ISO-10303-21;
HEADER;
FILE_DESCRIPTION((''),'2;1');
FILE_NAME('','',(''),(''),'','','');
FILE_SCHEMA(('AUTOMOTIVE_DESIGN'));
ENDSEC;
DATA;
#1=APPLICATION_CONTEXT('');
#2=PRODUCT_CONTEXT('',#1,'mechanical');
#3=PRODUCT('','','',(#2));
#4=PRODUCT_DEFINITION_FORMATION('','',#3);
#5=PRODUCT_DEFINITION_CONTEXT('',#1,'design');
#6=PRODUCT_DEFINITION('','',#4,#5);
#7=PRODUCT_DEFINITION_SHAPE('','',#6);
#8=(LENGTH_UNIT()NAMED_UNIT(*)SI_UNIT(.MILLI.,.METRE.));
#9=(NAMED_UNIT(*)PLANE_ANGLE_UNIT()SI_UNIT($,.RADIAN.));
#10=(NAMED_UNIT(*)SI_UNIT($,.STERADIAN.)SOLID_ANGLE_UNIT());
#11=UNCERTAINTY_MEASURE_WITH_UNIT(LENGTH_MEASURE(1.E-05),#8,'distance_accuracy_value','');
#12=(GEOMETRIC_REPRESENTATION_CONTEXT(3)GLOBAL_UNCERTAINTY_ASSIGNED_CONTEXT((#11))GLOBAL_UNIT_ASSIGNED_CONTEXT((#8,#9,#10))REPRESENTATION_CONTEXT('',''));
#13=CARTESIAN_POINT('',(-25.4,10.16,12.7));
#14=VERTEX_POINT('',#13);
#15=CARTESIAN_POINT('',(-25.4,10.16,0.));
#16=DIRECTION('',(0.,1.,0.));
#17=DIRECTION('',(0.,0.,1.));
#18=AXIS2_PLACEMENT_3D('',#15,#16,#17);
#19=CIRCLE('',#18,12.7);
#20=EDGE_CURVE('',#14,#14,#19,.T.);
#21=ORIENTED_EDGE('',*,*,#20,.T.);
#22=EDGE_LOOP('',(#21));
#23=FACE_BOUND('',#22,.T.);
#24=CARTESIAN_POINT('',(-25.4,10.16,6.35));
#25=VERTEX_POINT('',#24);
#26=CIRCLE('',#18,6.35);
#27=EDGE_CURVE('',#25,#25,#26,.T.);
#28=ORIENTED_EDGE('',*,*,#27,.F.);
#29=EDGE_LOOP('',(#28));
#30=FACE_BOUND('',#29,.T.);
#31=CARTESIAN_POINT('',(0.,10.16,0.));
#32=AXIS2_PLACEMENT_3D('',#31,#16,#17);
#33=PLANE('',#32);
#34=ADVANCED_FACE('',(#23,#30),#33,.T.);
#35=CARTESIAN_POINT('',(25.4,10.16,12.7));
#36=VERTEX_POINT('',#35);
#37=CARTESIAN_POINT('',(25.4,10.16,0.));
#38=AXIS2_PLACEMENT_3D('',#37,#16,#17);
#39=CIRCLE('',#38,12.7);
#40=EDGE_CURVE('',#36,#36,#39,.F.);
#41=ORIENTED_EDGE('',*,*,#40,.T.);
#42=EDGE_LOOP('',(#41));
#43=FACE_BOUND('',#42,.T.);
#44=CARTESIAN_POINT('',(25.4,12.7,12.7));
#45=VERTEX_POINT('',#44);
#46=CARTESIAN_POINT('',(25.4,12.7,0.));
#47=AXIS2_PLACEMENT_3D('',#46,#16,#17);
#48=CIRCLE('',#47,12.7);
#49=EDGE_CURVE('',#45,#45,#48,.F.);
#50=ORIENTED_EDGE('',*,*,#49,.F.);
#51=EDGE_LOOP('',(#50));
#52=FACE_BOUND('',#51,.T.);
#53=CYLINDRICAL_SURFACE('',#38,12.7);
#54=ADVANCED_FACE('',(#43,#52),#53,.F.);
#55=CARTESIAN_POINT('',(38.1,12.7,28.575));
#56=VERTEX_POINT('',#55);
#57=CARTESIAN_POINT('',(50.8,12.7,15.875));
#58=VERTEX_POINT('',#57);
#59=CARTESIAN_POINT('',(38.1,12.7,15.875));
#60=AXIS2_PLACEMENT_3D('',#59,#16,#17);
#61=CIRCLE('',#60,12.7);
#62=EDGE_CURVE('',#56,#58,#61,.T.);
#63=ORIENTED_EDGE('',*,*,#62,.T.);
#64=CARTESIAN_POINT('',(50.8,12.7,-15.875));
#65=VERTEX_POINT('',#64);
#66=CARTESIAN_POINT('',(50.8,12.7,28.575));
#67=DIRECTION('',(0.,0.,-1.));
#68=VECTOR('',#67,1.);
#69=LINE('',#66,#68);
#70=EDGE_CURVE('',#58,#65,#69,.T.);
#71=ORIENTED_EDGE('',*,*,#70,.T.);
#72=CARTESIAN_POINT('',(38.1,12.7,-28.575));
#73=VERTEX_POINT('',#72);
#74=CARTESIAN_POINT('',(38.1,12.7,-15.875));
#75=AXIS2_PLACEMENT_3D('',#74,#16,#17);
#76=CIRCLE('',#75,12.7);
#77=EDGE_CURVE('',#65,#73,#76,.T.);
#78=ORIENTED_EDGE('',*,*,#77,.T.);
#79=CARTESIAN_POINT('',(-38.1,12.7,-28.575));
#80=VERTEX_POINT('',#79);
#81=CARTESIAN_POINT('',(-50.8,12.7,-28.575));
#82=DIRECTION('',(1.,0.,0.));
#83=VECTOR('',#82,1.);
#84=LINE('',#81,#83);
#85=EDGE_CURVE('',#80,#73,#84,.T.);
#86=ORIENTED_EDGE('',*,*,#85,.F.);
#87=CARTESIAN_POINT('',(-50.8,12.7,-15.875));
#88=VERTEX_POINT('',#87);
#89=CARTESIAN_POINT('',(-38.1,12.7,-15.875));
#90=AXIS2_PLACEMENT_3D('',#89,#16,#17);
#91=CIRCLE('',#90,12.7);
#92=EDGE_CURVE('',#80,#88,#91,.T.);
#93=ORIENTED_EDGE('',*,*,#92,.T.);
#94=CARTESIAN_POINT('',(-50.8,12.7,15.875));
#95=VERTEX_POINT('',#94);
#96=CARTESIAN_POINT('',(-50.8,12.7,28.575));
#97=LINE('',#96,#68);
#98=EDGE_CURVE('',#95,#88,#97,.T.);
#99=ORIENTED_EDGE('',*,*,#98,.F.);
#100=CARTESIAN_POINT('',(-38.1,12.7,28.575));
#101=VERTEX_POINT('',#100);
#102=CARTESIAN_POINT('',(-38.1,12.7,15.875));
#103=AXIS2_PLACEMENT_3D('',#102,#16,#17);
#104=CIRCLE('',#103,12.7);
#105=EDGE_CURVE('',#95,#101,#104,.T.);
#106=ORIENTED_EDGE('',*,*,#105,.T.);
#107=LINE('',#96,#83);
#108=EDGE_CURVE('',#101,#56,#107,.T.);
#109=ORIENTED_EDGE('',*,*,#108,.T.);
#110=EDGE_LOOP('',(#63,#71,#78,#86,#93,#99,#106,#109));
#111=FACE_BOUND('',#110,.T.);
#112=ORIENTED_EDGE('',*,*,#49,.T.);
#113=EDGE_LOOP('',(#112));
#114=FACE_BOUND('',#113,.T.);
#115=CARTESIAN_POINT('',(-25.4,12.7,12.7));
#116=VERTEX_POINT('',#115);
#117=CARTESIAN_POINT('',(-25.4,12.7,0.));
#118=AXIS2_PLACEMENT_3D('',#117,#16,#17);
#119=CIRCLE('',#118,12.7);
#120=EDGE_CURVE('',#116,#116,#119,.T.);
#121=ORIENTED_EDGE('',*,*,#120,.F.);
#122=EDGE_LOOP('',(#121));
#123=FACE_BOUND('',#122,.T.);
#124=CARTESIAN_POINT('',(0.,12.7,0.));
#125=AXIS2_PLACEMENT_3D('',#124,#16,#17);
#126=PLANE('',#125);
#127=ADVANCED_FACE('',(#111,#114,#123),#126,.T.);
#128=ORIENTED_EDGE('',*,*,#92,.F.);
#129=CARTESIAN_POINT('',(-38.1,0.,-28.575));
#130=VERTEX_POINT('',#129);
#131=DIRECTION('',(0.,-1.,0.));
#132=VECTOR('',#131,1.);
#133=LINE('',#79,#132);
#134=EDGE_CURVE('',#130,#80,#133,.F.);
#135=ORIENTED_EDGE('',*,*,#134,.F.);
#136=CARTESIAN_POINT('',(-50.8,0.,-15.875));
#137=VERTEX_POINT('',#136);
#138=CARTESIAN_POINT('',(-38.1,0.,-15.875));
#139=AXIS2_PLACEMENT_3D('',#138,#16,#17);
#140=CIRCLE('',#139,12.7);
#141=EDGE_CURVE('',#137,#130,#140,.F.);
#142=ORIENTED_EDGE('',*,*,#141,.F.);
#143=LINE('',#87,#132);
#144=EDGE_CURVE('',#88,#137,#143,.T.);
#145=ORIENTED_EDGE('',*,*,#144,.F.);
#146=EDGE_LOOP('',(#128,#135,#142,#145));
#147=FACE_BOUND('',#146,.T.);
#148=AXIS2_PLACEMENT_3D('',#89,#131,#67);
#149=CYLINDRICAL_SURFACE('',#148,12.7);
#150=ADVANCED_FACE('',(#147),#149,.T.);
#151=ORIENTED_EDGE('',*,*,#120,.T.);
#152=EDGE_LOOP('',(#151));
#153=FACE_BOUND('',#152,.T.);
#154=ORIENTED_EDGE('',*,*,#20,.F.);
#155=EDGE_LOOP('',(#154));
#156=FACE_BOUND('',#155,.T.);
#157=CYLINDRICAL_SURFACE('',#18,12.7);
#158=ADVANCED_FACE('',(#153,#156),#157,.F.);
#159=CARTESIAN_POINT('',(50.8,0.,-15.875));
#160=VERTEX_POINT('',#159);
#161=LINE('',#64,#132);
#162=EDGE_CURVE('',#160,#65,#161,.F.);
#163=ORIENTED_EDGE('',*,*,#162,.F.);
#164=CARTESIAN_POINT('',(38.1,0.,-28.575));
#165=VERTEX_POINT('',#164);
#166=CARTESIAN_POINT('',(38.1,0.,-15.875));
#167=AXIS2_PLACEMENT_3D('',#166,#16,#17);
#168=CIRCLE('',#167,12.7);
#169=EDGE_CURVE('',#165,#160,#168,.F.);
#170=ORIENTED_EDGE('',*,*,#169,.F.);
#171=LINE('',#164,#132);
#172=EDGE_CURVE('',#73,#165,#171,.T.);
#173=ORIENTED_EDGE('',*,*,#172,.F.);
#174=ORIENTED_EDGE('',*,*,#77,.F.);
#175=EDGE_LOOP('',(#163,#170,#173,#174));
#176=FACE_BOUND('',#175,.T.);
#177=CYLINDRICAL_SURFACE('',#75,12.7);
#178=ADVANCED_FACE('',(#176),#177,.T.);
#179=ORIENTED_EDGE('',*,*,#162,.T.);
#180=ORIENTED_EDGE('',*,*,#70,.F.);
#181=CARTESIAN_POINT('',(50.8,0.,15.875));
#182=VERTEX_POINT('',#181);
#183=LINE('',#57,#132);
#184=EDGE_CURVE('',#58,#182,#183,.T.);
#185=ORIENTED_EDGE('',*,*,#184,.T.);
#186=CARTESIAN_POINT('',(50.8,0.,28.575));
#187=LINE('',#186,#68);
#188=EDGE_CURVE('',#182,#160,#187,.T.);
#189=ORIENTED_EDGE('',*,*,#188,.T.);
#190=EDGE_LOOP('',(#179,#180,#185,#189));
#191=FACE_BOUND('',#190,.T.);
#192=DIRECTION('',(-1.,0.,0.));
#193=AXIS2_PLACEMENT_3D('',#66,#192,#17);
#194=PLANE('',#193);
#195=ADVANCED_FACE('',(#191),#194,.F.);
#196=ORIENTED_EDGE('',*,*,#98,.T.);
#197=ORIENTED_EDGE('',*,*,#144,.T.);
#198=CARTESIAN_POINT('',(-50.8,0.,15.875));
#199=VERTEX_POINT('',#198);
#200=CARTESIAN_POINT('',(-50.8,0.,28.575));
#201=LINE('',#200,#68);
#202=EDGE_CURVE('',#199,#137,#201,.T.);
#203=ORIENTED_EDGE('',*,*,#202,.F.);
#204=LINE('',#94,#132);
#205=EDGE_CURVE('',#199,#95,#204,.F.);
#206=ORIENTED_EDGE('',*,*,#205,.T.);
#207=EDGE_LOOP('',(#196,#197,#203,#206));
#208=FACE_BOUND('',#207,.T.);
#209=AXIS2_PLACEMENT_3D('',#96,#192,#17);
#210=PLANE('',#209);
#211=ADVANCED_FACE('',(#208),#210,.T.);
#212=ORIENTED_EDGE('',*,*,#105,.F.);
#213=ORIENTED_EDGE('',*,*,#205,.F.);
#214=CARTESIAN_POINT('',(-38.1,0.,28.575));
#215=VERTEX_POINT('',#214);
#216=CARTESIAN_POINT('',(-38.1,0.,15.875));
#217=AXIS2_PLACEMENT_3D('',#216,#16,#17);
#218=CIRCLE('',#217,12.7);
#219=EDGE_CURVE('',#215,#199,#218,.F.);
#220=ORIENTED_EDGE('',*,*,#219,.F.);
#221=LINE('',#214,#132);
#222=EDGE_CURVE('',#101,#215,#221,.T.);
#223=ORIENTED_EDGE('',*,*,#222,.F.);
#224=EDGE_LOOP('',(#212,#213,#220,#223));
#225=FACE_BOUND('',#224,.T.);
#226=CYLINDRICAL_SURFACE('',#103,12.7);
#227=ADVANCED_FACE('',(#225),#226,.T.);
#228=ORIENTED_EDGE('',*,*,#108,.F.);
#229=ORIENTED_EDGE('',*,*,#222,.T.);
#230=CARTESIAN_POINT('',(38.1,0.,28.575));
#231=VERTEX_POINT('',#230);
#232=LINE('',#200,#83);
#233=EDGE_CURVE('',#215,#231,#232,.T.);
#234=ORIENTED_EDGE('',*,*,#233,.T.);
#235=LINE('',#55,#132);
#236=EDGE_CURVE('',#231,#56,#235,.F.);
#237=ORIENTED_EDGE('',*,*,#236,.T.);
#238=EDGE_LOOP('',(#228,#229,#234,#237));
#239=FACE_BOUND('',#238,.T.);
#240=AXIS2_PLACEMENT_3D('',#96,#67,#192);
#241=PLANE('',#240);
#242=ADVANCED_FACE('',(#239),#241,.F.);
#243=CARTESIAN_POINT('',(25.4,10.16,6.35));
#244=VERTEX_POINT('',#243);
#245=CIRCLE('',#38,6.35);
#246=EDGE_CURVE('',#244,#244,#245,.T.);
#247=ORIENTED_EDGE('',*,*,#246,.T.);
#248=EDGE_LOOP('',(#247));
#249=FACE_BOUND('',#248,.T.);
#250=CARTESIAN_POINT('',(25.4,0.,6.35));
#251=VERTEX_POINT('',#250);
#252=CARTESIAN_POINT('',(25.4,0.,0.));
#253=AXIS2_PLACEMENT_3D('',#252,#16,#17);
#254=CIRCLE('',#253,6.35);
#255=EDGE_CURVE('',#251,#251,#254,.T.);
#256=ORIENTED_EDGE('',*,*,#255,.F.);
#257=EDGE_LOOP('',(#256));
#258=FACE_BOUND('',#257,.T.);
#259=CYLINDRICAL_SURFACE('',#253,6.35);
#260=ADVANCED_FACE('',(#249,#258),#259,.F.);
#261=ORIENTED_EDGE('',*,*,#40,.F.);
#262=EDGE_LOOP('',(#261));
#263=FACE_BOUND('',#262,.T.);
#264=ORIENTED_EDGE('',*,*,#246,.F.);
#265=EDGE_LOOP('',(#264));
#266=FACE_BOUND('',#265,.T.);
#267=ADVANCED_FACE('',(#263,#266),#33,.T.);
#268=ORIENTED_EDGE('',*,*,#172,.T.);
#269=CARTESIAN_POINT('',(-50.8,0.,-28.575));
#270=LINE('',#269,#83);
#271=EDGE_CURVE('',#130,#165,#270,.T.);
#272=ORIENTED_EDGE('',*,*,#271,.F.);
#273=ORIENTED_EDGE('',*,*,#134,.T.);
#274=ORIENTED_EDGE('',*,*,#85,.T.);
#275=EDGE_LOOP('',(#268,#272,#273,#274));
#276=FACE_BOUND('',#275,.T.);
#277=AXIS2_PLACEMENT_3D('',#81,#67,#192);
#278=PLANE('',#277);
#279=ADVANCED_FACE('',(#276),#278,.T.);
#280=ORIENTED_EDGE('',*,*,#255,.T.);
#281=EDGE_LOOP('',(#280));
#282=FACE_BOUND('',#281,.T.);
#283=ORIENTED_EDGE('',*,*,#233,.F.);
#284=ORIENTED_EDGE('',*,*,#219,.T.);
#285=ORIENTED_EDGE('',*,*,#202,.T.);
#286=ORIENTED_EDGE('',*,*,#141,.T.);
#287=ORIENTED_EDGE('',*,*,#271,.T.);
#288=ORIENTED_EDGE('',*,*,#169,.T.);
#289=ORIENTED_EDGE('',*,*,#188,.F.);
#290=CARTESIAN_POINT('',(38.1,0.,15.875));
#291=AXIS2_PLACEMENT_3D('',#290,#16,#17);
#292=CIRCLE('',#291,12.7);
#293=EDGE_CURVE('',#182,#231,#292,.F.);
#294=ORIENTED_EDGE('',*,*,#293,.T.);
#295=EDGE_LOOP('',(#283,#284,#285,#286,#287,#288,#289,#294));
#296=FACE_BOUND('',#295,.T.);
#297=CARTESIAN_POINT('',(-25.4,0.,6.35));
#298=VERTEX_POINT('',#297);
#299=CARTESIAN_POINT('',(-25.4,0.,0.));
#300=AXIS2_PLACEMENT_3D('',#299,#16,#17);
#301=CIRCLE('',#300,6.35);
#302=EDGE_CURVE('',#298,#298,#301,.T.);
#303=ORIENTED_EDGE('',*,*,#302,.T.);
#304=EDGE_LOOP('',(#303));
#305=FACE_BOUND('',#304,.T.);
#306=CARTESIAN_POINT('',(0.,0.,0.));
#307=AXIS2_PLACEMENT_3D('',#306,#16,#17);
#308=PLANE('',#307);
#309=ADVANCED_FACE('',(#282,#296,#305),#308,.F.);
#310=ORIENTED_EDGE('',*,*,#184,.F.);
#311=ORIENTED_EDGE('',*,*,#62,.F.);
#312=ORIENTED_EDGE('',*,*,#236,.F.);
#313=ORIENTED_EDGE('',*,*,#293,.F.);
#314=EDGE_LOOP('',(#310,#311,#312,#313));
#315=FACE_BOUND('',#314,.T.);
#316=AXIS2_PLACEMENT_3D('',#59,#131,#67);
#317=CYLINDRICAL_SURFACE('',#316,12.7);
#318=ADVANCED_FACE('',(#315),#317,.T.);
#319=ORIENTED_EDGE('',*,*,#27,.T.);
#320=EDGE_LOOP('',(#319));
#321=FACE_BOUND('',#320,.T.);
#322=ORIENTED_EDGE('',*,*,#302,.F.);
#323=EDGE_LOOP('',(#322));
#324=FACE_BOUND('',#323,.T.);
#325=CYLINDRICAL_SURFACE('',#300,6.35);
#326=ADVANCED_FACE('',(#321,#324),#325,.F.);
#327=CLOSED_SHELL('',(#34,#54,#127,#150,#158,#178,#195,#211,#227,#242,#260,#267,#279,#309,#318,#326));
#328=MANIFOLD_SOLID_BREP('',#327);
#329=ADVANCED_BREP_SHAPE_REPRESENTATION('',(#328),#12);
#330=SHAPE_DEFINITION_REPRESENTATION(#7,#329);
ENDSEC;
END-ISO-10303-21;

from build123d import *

# Parameters (mm, degrees)
SKETCH1_W           = 101.6
SKETCH1_H           = 57.15
BOSS_EXTRUDE1_DEPTH = 12.7
SKETCH2_R           = 6.35
CUT_EXTRUDE1_DEPTH  = 12.7
SKETCH2_3_R         = 12.7
SKETCH2_3_R_2       = 6.35
CUT_EXTRUDE2_DEPTH  = 2.54
FILLET1_R           = 12.7


with BuildPart() as part:
    # Sketch1 → Boss-Extrude1 (new body)
    with BuildSketch(Plane(origin=(0, 0, 0), x_dir=(1, 0, 0), z_dir=(0, 1, 0))):
        Rectangle(SKETCH1_W, SKETCH1_H)
    extrude(amount=BOSS_EXTRUDE1_DEPTH)

    # Sketch2 → Cut-Extrude1 (cut)
    with BuildSketch(Plane(origin=(0, 12.7, 0), x_dir=(1, 0, 0), z_dir=(0, 1, 0))):
        with Locations((-25.4, 0)):
            Circle(SKETCH2_R)
        with Locations((25.4, 0)):
            Circle(SKETCH2_R)
    extrude(amount=-CUT_EXTRUDE1_DEPTH, mode=Mode.SUBTRACT)

    # Sketch2<3> → Cut-Extrude2 (cut)
    # profile 1 of 2: a face of its own
    with BuildSketch(Plane(origin=(0, 12.7, 0), x_dir=(1, 0, 0), z_dir=(0, 1, 0))):
        with Locations((-25.4, 0)):
            Circle(SKETCH2_3_R)
        with Locations((-25.4, 0)):
            Circle(SKETCH2_3_R_2, mode=Mode.SUBTRACT)
    # profile 2 of 2: a face of its own
    with BuildSketch(Plane(origin=(0, 12.7, 0), x_dir=(1, 0, 0), z_dir=(0, 1, 0))):
        with Locations((25.4, 0)):
            Circle(SKETCH2_3_R)
        with Locations((25.4, 0)):
            Circle(SKETCH2_3_R_2, mode=Mode.SUBTRACT)
    extrude(amount=-CUT_EXTRUDE2_DEPTH, mode=Mode.SUBTRACT)

    # Fillet1
    fillet1_edges = [part.edges().sort_by_distance(p)[0] for p in [
        (50.8, 6.35, -28.575),
        (-50.8, 6.35, -28.575),
        (50.8, 6.35, 28.575),
        (-50.8, 6.35, 28.575),
    ]]
    fillet(fillet1_edges, radius=FILLET1_R)


solid = part.part
